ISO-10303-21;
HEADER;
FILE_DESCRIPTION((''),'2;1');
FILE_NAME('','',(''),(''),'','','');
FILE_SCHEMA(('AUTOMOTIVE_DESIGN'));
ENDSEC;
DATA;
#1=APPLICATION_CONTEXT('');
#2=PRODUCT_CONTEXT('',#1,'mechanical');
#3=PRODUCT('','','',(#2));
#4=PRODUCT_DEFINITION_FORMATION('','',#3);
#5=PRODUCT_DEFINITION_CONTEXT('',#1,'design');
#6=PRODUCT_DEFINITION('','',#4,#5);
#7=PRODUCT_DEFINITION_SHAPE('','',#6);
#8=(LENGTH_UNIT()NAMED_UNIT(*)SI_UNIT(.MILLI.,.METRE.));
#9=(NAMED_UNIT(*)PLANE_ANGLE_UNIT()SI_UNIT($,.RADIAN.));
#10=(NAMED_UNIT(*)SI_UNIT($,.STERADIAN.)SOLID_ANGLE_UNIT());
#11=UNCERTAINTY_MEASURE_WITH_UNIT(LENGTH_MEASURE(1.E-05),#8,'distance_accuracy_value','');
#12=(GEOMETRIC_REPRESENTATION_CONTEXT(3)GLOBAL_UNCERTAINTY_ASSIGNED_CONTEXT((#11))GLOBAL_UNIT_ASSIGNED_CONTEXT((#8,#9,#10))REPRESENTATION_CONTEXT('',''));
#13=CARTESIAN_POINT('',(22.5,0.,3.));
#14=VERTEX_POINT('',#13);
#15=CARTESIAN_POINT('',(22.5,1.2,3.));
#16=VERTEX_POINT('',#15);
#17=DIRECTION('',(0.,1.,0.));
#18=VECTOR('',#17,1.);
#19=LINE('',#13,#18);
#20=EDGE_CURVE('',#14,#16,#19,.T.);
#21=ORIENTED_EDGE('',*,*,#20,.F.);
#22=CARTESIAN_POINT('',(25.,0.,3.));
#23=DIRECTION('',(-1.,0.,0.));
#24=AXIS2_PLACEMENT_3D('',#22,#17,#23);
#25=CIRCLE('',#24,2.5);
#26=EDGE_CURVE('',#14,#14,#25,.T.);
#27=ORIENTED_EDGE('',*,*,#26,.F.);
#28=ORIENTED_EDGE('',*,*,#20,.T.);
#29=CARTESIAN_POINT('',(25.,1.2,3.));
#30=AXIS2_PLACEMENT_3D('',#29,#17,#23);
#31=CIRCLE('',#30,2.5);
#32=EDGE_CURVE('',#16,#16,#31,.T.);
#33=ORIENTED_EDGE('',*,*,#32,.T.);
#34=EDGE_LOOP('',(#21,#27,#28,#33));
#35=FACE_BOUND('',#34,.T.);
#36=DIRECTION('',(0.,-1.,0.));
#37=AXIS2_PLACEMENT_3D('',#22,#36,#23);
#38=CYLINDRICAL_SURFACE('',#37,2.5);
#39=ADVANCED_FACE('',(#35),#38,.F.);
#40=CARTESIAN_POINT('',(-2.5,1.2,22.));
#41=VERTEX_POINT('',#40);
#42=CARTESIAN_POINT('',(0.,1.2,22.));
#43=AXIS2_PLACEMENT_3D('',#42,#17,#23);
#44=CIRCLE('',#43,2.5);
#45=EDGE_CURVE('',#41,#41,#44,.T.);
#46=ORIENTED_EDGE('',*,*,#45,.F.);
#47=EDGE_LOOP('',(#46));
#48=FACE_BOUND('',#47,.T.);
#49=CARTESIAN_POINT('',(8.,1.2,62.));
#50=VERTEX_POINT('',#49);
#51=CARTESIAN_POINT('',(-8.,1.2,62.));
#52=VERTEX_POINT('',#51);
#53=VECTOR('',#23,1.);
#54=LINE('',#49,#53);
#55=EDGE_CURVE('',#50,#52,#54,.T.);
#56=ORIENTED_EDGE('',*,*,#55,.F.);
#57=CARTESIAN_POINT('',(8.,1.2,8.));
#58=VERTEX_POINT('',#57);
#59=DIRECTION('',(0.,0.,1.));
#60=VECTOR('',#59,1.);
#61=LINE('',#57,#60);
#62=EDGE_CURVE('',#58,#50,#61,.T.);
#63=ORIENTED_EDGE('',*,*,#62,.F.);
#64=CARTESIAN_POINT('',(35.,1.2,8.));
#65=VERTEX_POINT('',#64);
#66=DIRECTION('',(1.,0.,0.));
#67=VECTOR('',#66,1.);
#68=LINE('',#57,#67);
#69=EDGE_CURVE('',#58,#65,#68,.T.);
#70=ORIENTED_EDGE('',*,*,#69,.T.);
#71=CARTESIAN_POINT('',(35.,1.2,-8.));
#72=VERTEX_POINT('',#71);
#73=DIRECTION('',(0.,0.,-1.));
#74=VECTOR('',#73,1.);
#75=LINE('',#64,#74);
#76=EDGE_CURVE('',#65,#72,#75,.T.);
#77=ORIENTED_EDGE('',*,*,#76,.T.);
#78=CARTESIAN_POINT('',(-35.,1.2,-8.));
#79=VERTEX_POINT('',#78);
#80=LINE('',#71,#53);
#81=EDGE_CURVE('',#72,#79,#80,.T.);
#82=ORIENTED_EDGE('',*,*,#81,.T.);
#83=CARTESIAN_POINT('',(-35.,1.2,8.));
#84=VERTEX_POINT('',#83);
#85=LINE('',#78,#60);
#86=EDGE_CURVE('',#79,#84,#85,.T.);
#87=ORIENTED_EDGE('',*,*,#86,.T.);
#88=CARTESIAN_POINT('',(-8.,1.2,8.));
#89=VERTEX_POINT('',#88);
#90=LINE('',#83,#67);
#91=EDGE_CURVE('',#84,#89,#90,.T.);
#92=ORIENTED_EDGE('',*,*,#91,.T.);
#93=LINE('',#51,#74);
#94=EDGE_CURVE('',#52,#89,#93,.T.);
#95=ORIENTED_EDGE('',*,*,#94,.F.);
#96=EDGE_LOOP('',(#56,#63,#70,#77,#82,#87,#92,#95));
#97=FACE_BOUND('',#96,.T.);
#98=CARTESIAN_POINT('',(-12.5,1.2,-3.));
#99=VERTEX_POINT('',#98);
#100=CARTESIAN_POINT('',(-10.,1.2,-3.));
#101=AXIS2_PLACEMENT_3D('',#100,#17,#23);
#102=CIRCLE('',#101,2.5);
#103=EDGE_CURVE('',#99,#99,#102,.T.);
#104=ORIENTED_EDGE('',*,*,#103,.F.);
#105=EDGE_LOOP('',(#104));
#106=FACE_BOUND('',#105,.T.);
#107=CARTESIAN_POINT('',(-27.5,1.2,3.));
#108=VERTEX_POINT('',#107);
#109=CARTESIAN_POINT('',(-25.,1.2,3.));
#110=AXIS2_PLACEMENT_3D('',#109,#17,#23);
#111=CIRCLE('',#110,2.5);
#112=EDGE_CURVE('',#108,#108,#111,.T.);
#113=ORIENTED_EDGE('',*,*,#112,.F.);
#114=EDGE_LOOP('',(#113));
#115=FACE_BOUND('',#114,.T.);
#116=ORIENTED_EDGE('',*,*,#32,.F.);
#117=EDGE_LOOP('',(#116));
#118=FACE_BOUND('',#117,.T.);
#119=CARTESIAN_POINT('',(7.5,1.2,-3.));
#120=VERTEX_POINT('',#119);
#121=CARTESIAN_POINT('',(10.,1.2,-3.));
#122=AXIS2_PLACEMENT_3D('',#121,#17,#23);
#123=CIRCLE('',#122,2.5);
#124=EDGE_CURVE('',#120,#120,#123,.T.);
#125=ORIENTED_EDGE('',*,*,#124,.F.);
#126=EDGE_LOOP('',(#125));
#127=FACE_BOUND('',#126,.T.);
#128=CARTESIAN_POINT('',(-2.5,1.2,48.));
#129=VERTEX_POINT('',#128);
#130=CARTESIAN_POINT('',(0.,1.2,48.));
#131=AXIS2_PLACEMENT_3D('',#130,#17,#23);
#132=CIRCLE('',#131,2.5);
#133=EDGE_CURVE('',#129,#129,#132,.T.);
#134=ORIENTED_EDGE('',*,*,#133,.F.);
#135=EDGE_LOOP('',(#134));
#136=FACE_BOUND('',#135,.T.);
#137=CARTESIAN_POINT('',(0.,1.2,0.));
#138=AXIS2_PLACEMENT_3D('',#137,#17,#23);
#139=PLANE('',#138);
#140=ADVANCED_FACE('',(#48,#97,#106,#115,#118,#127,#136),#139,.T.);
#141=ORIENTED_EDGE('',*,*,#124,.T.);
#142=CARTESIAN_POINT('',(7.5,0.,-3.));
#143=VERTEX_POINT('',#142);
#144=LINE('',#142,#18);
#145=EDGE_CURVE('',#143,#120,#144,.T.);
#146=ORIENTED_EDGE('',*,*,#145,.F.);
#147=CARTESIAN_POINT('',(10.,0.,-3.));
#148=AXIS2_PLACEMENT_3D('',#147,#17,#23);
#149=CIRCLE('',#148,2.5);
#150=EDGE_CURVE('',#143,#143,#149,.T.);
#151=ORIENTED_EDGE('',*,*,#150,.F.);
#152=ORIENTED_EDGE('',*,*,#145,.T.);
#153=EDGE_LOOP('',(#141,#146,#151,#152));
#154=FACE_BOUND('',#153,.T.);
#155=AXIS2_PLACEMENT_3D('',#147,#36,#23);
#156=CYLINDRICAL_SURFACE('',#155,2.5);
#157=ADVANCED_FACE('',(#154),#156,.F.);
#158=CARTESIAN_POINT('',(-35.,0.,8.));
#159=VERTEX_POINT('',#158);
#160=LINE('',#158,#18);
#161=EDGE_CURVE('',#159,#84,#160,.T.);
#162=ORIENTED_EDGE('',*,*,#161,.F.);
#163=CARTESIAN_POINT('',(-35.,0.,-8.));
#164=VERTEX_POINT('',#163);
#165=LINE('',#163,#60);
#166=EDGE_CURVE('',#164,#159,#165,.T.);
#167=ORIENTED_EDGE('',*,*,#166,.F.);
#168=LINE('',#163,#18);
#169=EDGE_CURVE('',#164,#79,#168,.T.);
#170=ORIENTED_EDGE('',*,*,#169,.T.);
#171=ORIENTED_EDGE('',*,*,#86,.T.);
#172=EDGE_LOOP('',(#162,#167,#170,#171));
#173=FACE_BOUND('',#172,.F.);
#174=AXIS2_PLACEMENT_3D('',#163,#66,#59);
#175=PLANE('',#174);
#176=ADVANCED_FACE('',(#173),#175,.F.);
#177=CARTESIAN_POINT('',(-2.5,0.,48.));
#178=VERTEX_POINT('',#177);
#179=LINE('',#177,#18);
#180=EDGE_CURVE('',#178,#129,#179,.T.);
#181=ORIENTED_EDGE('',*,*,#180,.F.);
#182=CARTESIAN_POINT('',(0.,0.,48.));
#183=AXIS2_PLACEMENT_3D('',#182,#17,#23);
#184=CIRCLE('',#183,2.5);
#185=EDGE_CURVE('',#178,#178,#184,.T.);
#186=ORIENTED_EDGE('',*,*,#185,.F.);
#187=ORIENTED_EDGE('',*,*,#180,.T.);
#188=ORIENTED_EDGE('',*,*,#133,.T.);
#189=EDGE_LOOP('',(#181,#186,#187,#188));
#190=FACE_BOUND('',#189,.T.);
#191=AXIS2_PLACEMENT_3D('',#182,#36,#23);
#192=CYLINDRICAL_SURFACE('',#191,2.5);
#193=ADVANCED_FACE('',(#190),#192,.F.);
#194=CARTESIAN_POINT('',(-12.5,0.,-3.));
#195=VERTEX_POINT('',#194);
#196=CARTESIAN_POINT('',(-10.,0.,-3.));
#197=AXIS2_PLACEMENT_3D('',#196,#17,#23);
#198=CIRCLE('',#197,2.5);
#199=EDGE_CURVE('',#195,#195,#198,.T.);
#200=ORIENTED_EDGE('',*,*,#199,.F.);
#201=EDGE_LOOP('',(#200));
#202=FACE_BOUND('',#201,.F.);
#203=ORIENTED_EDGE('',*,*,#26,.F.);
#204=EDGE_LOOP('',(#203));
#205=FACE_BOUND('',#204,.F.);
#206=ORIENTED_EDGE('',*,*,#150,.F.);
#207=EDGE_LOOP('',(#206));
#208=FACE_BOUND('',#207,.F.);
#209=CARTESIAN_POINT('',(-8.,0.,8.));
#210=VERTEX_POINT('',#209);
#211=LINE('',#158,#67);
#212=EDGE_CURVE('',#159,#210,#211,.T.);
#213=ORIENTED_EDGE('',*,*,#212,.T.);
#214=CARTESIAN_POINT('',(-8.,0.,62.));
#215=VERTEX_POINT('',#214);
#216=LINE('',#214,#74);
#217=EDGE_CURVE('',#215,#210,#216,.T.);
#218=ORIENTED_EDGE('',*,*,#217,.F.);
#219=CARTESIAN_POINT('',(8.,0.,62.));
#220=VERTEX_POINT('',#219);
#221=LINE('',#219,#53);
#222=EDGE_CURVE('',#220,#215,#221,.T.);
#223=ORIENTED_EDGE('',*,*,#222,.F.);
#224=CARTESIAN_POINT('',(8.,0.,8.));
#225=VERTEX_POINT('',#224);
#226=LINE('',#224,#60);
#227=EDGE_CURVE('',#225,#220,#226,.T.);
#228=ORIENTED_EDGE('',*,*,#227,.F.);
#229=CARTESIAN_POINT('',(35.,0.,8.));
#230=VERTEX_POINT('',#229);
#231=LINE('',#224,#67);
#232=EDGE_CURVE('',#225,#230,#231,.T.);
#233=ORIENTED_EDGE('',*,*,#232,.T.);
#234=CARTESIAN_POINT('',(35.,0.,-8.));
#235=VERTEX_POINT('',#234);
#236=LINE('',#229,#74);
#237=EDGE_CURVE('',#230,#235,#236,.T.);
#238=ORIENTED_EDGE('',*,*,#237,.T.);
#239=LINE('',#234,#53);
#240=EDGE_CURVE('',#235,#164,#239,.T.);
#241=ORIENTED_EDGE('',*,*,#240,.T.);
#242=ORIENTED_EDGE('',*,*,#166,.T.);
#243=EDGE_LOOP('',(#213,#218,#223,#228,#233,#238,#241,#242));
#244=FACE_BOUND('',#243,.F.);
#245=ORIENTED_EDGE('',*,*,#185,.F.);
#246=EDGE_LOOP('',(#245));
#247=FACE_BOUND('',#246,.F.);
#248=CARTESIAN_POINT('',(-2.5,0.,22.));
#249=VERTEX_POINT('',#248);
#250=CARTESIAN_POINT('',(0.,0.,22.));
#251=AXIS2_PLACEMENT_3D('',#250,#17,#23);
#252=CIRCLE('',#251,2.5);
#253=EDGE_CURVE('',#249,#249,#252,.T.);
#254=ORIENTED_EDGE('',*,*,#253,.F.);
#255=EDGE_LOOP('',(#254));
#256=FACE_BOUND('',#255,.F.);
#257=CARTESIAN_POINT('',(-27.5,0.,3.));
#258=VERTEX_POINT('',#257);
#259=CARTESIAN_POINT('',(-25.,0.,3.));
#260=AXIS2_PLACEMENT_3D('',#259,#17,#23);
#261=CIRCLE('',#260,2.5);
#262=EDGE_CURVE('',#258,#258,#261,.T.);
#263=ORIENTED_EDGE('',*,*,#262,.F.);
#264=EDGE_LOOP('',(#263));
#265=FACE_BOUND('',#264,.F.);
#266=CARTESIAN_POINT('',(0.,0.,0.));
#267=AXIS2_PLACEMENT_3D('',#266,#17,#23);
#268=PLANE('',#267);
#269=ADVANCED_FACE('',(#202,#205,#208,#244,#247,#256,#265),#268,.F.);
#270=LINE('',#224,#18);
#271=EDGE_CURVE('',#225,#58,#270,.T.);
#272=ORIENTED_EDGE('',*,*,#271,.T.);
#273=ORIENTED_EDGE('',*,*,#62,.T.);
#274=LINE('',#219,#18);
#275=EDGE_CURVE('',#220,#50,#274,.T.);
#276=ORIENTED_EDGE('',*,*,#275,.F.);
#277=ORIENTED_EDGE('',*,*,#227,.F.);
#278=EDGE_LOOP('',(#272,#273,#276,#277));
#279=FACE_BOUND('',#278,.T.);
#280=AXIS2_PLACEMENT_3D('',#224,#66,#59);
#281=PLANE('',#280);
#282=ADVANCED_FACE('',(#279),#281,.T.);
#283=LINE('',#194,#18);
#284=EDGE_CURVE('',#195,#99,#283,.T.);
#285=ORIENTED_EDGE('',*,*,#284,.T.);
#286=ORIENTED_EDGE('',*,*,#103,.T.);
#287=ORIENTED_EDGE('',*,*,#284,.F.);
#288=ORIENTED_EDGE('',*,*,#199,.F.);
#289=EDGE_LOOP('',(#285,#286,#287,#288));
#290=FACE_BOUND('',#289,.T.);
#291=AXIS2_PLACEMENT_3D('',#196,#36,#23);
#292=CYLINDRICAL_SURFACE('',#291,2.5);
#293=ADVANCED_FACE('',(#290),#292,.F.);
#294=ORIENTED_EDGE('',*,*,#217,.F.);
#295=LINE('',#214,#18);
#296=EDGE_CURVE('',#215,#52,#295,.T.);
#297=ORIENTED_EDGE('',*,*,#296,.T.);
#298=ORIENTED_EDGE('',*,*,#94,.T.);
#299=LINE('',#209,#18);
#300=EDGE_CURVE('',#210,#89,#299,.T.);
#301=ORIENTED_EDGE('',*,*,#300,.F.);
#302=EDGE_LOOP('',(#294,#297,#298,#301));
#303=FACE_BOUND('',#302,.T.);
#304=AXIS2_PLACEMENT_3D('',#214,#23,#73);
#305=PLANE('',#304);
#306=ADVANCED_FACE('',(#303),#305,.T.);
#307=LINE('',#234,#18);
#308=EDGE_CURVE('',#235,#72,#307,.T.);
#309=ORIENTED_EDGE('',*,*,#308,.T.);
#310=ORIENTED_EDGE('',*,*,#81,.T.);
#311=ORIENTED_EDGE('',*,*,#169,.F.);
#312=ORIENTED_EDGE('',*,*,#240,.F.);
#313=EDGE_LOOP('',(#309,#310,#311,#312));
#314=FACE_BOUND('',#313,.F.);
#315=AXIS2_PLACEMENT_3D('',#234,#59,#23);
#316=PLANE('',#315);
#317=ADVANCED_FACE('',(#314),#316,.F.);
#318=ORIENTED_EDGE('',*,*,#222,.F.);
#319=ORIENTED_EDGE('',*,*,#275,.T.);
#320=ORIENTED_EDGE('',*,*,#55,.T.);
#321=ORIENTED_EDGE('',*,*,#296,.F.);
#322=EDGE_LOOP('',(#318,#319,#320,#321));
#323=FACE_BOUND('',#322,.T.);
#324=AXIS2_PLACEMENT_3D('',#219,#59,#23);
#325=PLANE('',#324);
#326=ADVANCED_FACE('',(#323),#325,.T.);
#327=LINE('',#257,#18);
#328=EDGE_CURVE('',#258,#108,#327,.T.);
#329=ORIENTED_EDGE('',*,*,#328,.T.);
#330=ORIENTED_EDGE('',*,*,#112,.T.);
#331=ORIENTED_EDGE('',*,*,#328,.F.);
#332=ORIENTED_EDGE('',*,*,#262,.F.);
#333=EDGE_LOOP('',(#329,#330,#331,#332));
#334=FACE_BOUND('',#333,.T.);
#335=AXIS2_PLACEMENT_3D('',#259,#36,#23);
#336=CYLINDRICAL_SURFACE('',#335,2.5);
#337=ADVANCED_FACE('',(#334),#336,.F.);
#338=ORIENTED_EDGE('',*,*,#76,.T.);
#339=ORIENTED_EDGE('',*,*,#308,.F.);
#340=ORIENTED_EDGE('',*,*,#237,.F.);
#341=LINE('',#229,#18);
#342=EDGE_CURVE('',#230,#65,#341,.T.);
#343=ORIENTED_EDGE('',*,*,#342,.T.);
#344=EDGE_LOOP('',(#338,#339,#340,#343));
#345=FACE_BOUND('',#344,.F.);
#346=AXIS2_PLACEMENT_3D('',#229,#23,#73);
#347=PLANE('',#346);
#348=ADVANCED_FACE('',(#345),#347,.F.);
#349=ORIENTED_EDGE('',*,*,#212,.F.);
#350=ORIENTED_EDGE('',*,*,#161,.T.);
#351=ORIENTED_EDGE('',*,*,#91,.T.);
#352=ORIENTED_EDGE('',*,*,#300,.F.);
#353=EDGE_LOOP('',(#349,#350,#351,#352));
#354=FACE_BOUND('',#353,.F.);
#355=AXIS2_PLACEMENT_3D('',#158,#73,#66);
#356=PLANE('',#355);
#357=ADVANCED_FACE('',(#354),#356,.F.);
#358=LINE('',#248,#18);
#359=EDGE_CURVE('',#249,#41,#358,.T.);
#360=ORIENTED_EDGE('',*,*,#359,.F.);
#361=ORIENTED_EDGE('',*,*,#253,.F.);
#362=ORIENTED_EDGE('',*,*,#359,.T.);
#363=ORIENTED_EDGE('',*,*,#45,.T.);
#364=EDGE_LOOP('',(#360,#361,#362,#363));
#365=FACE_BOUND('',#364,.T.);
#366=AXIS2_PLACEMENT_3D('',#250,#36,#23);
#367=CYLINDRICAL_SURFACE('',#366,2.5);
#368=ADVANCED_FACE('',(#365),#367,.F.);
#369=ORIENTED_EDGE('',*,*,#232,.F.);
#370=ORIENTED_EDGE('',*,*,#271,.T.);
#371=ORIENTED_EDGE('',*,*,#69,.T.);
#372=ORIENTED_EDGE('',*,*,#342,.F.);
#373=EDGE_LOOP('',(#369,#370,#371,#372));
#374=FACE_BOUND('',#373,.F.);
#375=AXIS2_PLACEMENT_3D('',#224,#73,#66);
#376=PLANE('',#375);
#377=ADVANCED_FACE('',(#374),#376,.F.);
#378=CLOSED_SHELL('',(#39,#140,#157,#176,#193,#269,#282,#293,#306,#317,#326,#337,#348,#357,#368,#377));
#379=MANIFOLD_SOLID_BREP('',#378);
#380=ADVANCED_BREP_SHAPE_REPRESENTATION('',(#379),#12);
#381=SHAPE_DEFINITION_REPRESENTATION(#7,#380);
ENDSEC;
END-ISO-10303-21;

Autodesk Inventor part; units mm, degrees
ref_plane "YZ Plane" through (0, 0, 0) normal (1, 0, 0) x (0, 1, 0)
ref_plane "XZ Plane" through (0, 0, 0) normal (0, 1, 0) x (-1, 0, 0)
ref_plane "XY Plane" through (0, 0, 0) normal (0, 0, 1) x (1, 0, 0)
sketch "Sketch1" plane through (0, 0, 0) normal (0, 1, 0) x (-1, 0, 0)
  line L0 (-35, 8) -> (-35, -8)
  line L1 (-35, -8) -> (35, -8)
  line L2 (35, -8) -> (35, 8)
  line L3 (35, 8) -> (-35, -8) construction
  line L4 (-35, 8) -> (35, -8) construction
  line L5 (-8, 8) -> (-8, 62)
  line L6 (-8, 62) -> (8, 62)
  line L7 (8, 62) -> (8, 8)
  line L8 (0, 0) -> (0, 99.8973) construction
  line L9 (35, 8) -> (8, 8)
  line L10 (-8, 8) -> (-35, 8)
  circle A0 centre (25, 3) radius 2.5
  circle A1 centre (10, -3) radius 2.5
  circle A2 centre (-10, -3) radius 2.5
  circle A3 centre (-25, 3) radius 2.5
  circle A4 centre (0, 22) radius 2.5
  circle A5 centre (0, 48) radius 2.5
  dimension "d0" = 70
  dimension "d1" = 16
  dimension "d2" = 16
  dimension "d4" = 70
  dimension "d5" = 5
  dimension "d6" = 5
  dimension "d7" = 5
  dimension "d8" = 10
  dimension "d10" = 10
  dimension "d11" = 10
  dimension "d12" = 10
  dimension "d13" = 14
  dimension "d14" = 40
extrude "Extrusion1" add sketch "Sketch1" along normal blind 1.2
equation "\"d10\" = d8"
equation "\"d11\" = d8"
equation "\"d12\" = d8"
equation "\"d13\" = 0.2 * d4"
equation "\"d14\" = 0.571429 * d4"
properties part number "FlatTee"
